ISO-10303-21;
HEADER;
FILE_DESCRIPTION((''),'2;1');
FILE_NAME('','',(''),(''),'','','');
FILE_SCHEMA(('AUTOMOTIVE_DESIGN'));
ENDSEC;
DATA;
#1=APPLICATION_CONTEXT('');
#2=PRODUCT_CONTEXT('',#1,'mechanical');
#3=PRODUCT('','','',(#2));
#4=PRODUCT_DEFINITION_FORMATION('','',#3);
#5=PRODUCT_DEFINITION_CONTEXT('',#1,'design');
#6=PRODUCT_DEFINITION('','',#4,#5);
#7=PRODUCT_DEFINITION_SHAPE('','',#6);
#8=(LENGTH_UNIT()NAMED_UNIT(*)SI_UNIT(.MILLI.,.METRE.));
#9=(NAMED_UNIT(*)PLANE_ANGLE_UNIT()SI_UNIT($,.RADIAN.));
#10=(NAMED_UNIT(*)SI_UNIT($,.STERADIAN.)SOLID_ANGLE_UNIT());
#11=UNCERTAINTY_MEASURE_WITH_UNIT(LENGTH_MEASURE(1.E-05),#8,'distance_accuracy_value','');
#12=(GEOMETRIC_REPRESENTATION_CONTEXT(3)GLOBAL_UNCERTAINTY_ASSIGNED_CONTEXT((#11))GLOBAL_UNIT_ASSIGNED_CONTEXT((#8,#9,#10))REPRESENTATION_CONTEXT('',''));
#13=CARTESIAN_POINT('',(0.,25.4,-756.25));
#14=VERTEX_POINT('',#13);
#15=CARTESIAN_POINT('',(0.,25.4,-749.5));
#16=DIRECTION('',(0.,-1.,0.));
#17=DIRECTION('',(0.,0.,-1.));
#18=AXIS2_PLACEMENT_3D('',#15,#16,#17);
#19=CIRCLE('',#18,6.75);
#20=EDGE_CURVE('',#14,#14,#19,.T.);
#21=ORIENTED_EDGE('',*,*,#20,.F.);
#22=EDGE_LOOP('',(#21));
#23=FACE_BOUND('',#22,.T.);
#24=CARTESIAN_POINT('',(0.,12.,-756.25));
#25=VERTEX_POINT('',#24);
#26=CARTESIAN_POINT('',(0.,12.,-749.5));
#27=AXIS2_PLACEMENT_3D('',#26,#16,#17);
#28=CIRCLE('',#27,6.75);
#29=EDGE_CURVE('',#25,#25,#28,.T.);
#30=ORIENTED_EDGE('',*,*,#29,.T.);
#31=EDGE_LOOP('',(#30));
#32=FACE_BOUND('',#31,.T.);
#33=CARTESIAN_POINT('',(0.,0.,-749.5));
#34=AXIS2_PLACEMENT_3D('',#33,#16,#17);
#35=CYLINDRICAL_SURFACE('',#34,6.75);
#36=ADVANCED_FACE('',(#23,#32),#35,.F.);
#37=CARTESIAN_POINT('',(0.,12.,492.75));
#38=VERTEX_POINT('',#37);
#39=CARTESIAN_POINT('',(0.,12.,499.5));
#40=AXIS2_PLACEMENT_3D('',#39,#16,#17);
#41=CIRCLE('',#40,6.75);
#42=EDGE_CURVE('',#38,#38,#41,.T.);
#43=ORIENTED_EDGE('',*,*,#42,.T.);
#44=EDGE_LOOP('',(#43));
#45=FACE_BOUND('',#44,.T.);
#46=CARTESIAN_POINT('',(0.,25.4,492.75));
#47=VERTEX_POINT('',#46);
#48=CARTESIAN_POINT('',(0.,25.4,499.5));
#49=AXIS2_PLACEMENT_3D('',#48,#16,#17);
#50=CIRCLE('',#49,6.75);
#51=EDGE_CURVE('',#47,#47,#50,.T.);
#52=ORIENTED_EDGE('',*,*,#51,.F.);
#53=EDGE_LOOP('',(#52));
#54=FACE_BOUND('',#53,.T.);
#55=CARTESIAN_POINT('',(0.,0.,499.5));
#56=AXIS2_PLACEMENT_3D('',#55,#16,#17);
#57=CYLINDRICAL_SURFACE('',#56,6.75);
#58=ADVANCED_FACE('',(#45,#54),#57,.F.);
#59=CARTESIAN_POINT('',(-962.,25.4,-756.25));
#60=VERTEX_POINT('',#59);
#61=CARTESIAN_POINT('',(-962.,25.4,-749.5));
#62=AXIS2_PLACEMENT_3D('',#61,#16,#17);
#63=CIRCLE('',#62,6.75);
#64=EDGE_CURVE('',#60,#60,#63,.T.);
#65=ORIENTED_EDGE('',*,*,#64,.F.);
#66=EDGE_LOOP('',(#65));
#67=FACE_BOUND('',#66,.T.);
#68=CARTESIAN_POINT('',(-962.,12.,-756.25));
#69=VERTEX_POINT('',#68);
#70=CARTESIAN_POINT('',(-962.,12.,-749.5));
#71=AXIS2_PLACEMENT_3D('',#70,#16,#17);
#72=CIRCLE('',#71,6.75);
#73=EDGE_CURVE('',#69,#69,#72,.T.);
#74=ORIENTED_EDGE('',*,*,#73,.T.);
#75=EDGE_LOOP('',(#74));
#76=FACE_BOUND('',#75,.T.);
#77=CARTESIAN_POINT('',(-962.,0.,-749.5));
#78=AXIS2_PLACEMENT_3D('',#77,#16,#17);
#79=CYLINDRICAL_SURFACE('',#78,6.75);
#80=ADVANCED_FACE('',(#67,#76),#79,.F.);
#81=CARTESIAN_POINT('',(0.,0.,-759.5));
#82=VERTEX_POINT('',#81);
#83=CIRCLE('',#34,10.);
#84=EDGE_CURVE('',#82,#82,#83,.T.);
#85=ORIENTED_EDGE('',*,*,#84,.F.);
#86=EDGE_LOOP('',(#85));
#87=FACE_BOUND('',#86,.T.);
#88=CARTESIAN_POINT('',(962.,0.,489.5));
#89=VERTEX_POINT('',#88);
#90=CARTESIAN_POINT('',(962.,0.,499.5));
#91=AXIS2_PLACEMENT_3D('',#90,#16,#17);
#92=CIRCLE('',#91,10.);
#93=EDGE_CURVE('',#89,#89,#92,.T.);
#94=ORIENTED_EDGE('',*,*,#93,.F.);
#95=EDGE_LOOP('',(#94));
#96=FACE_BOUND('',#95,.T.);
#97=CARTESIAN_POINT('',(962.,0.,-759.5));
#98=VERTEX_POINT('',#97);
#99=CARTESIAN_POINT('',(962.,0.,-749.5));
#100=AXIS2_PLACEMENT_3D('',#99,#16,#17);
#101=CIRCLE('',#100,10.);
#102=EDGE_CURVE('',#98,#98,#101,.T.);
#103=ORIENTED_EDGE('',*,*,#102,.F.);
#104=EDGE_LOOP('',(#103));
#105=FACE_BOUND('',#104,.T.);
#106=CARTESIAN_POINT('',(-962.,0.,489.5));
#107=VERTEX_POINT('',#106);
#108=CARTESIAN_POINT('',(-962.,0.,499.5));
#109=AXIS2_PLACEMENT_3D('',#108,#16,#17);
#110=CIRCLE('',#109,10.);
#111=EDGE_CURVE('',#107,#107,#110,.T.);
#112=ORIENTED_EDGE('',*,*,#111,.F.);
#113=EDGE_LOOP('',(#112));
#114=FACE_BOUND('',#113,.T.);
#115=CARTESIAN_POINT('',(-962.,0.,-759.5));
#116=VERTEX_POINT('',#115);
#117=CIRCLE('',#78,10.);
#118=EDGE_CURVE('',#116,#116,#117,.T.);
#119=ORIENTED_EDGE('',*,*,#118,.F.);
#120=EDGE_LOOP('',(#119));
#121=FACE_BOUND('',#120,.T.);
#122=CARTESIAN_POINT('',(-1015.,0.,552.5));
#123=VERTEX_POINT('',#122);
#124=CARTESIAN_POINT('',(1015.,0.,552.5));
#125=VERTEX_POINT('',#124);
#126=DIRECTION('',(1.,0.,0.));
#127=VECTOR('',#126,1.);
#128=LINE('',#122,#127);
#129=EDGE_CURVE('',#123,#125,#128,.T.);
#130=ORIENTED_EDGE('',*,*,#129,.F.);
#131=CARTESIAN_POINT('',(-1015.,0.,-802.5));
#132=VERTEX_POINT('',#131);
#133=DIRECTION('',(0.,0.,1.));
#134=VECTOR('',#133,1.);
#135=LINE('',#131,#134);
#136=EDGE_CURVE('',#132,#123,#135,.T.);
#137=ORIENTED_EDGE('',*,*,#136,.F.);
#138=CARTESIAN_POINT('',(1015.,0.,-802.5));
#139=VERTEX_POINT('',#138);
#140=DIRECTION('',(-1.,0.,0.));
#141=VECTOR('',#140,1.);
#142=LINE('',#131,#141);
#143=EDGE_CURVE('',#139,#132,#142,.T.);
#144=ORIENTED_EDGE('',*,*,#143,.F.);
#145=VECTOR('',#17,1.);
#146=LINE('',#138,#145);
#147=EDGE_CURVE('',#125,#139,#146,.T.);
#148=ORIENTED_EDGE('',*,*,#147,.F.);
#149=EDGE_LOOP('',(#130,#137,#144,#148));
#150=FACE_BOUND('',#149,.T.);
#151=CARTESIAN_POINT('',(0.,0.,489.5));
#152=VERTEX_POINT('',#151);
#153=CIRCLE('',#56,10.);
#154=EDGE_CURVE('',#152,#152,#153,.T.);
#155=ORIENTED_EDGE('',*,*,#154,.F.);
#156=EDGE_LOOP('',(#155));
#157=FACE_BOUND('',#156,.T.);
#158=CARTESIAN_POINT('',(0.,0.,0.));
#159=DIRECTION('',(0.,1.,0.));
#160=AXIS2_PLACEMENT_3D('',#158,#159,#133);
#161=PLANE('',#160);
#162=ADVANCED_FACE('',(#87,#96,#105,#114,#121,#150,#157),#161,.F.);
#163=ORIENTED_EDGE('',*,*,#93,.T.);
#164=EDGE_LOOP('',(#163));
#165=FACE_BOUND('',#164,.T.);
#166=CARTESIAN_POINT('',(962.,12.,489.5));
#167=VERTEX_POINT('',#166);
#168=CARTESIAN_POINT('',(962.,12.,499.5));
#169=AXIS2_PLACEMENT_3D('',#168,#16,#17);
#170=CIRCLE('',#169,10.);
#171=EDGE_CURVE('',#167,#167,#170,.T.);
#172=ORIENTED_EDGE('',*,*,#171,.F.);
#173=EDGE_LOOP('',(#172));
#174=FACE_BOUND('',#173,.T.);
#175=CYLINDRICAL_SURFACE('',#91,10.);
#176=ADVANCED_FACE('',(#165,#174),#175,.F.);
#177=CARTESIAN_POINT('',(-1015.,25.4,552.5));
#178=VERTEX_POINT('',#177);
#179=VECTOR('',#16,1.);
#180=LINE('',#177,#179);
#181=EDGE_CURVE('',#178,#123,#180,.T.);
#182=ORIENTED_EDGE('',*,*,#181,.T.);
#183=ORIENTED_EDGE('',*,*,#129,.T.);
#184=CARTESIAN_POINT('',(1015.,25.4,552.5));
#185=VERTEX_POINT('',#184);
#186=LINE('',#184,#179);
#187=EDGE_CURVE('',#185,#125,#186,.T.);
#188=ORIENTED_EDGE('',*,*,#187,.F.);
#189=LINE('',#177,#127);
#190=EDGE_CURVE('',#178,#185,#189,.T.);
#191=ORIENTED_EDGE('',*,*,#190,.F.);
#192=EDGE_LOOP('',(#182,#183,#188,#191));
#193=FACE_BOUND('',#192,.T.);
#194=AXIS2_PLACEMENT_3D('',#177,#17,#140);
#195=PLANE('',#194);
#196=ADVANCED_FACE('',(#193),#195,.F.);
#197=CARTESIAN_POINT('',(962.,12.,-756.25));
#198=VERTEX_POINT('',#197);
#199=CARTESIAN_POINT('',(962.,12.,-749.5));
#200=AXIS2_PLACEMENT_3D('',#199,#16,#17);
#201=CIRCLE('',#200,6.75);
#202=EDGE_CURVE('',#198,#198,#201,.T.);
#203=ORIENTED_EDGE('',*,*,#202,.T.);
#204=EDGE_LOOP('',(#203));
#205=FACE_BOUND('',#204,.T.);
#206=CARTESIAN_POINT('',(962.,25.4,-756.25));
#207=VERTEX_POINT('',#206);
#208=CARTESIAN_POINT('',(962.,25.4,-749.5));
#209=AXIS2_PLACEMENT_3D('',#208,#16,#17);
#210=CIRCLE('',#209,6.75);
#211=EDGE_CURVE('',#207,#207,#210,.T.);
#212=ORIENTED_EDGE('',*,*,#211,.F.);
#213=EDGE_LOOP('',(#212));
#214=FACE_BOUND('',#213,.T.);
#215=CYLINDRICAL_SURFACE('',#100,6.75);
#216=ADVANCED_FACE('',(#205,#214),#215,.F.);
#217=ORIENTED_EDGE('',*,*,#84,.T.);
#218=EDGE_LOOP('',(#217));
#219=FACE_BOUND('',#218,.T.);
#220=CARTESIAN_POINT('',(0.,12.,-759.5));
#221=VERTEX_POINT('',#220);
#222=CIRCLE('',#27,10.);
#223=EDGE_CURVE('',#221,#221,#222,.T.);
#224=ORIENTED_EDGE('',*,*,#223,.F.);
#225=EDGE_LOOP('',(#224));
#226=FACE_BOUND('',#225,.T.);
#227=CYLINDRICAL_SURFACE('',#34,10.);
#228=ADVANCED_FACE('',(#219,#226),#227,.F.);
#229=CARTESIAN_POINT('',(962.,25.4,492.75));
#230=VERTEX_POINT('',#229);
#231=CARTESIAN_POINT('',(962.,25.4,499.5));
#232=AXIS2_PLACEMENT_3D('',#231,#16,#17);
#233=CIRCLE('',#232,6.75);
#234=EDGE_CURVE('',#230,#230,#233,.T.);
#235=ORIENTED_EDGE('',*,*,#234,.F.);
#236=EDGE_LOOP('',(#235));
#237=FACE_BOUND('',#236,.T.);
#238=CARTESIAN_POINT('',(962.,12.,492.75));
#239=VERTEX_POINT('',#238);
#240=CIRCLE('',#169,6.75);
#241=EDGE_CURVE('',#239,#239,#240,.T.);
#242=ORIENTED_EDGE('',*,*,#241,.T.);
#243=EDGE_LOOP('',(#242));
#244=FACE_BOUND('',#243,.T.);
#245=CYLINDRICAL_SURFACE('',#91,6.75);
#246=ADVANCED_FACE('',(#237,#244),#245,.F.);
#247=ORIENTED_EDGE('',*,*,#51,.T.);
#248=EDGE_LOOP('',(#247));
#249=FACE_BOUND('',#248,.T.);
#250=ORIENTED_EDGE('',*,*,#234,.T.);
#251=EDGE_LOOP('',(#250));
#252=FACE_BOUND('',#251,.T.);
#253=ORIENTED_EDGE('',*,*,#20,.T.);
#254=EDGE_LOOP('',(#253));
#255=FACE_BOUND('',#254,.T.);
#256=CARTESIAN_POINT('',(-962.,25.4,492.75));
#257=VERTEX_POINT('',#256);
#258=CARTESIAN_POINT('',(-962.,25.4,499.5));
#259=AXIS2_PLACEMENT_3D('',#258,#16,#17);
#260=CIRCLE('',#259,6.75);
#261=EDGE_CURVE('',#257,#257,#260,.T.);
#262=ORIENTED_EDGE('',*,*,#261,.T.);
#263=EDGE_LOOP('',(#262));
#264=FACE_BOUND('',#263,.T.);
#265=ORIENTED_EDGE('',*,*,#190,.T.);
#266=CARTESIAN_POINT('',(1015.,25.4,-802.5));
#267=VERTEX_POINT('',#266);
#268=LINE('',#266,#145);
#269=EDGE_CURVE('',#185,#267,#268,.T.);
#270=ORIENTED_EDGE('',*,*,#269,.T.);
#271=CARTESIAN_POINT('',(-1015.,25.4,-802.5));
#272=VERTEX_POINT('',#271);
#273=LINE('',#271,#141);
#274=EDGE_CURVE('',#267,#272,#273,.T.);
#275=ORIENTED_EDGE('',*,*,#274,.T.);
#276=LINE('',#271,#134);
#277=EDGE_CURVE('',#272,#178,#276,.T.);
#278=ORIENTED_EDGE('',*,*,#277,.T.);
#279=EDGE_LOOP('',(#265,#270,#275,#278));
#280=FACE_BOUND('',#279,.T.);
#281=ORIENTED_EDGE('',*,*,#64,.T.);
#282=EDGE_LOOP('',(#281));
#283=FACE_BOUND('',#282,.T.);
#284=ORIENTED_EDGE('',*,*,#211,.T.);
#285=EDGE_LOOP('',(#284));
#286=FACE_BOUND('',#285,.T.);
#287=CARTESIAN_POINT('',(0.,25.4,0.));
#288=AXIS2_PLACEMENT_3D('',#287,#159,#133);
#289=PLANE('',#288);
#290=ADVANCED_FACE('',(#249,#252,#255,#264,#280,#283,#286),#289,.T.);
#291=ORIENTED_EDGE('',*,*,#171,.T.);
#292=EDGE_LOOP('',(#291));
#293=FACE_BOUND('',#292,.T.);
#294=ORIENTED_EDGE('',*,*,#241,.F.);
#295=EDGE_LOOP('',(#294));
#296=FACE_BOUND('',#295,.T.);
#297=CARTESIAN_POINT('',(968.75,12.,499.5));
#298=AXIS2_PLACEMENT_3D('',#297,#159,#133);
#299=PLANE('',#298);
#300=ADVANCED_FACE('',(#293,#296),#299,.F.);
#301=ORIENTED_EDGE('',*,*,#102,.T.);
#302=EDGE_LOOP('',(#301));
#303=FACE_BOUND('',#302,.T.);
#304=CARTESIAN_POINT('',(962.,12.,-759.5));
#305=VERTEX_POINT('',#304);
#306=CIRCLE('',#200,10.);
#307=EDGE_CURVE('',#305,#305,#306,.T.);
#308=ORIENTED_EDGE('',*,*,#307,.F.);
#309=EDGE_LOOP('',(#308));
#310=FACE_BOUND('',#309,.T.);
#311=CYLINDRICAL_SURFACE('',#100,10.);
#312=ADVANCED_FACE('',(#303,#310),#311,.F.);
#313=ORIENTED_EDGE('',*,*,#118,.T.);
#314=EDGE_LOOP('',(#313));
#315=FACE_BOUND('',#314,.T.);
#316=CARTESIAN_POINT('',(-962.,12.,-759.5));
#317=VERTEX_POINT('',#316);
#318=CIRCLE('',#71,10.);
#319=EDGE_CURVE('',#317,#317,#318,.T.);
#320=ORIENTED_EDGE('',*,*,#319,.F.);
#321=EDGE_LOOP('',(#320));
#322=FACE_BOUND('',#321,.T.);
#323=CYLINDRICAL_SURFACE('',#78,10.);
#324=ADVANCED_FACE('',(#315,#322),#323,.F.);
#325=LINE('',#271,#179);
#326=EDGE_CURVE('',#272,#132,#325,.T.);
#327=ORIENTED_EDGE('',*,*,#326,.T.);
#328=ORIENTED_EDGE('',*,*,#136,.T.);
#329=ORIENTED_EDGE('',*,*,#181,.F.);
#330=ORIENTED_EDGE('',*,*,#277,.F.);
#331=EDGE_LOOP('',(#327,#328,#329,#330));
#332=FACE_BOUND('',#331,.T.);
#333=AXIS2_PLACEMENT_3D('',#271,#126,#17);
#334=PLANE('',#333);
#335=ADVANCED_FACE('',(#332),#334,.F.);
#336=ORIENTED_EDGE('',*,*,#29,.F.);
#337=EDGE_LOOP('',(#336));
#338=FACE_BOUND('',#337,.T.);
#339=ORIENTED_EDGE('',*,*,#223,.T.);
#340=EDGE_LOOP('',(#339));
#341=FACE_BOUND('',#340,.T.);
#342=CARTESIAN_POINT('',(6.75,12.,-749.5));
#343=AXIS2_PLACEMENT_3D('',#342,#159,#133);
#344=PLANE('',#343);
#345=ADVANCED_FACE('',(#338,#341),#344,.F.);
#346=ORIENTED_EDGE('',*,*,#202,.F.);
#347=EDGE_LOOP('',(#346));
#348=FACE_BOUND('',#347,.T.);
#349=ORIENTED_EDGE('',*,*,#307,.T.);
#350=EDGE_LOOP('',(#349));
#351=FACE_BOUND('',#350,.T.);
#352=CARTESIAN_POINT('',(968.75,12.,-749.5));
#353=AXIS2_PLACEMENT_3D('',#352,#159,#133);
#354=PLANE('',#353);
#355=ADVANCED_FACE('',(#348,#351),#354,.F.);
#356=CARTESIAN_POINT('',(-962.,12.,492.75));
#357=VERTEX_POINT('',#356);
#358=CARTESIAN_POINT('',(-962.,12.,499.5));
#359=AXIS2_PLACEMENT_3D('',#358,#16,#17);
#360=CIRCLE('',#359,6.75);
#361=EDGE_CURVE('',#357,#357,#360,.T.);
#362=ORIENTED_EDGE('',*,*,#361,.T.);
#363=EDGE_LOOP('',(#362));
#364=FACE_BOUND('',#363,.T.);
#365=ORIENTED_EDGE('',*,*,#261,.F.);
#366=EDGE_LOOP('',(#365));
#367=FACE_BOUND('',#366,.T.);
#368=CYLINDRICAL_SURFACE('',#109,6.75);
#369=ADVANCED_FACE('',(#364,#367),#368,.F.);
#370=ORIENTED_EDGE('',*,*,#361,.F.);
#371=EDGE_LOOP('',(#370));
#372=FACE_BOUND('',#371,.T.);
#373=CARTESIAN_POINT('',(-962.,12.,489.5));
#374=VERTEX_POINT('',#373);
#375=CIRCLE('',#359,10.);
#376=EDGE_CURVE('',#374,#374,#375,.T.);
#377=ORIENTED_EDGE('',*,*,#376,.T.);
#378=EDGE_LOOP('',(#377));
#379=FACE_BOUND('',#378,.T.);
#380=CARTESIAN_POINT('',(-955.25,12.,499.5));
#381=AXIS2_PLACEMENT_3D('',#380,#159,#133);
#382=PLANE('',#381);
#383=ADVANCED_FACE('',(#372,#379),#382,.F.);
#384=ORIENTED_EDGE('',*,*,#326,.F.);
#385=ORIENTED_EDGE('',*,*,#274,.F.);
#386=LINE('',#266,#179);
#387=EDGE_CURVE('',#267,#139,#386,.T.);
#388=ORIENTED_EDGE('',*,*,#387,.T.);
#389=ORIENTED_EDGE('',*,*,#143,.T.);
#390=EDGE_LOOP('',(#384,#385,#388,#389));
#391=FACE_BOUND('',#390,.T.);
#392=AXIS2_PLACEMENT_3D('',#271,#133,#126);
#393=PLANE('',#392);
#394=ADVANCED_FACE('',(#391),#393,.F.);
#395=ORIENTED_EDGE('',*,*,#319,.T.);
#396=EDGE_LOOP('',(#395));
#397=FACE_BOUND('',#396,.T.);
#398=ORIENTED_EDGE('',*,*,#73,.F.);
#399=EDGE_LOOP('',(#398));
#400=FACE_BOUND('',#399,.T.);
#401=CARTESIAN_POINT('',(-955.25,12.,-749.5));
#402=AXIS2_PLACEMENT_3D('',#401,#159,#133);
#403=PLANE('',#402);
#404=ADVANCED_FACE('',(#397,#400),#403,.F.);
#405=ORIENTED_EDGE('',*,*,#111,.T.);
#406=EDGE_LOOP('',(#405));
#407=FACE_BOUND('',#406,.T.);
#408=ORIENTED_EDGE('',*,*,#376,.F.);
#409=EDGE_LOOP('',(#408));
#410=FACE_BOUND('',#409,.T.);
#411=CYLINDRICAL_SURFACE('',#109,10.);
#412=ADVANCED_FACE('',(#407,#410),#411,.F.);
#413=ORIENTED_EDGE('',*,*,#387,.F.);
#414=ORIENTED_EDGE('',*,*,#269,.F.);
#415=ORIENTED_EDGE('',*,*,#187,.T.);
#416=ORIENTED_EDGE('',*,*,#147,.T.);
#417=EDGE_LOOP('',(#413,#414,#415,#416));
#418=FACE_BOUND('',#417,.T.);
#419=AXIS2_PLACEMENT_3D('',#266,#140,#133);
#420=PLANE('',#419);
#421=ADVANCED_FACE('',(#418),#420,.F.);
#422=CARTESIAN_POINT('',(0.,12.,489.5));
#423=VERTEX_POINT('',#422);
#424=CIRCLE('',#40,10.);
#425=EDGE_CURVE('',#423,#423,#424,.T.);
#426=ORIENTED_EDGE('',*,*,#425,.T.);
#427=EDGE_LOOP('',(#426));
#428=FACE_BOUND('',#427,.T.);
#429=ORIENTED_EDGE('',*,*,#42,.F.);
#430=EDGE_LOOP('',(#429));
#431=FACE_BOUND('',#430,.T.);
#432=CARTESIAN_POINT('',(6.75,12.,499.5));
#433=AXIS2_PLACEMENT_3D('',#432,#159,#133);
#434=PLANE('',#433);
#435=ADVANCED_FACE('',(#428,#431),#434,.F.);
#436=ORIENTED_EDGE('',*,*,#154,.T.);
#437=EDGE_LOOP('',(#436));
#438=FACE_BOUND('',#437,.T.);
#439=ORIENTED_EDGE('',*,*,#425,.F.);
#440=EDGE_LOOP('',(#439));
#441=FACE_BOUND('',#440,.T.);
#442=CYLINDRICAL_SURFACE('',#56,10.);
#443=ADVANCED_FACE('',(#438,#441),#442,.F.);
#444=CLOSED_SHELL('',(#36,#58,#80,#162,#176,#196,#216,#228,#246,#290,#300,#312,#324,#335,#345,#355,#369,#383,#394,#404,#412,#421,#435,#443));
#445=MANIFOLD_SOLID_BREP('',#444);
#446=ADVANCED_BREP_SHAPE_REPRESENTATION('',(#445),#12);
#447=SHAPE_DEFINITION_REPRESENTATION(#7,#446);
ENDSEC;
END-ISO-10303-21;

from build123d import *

# Parameters (mm, degrees)
SKETCH1_W                       = 2030
SKETCH1_H                       = 1355
BOSS_EXTRUDE1_DEPTH             = 25.4
CBORE_FOR_M12_SHCS1_D           = 13.5
CBORE_FOR_M12_SHCS1_CBORE_D     = 20
CBORE_FOR_M12_SHCS1_CBORE_DEPTH = 12


with BuildPart() as part:
    # Sketch1 → Boss-Extrude1 (new body)
    with BuildSketch(Plane(origin=(0, 0, 0), x_dir=(1, 0, 0), z_dir=(0, 1, 0))):
        with Locations((0, 125)):
            Rectangle(SKETCH1_W, SKETCH1_H)
    extrude(amount=BOSS_EXTRUDE1_DEPTH)

    # CBORE for M12 SHCS1 (through all)
    with Locations(Plane(origin=(0, 0, 0), x_dir=(-1, 0, 0), z_dir=(0, -1, 0))):
        with Locations((-962, -499.5), (-962, 749.5), (0, 749.5), (962, 749.5), (962, -499.5), (0, -499.5)):
            CounterBoreHole(CBORE_FOR_M12_SHCS1_D / 2, CBORE_FOR_M12_SHCS1_CBORE_D / 2, CBORE_FOR_M12_SHCS1_CBORE_DEPTH)


solid = part.part
